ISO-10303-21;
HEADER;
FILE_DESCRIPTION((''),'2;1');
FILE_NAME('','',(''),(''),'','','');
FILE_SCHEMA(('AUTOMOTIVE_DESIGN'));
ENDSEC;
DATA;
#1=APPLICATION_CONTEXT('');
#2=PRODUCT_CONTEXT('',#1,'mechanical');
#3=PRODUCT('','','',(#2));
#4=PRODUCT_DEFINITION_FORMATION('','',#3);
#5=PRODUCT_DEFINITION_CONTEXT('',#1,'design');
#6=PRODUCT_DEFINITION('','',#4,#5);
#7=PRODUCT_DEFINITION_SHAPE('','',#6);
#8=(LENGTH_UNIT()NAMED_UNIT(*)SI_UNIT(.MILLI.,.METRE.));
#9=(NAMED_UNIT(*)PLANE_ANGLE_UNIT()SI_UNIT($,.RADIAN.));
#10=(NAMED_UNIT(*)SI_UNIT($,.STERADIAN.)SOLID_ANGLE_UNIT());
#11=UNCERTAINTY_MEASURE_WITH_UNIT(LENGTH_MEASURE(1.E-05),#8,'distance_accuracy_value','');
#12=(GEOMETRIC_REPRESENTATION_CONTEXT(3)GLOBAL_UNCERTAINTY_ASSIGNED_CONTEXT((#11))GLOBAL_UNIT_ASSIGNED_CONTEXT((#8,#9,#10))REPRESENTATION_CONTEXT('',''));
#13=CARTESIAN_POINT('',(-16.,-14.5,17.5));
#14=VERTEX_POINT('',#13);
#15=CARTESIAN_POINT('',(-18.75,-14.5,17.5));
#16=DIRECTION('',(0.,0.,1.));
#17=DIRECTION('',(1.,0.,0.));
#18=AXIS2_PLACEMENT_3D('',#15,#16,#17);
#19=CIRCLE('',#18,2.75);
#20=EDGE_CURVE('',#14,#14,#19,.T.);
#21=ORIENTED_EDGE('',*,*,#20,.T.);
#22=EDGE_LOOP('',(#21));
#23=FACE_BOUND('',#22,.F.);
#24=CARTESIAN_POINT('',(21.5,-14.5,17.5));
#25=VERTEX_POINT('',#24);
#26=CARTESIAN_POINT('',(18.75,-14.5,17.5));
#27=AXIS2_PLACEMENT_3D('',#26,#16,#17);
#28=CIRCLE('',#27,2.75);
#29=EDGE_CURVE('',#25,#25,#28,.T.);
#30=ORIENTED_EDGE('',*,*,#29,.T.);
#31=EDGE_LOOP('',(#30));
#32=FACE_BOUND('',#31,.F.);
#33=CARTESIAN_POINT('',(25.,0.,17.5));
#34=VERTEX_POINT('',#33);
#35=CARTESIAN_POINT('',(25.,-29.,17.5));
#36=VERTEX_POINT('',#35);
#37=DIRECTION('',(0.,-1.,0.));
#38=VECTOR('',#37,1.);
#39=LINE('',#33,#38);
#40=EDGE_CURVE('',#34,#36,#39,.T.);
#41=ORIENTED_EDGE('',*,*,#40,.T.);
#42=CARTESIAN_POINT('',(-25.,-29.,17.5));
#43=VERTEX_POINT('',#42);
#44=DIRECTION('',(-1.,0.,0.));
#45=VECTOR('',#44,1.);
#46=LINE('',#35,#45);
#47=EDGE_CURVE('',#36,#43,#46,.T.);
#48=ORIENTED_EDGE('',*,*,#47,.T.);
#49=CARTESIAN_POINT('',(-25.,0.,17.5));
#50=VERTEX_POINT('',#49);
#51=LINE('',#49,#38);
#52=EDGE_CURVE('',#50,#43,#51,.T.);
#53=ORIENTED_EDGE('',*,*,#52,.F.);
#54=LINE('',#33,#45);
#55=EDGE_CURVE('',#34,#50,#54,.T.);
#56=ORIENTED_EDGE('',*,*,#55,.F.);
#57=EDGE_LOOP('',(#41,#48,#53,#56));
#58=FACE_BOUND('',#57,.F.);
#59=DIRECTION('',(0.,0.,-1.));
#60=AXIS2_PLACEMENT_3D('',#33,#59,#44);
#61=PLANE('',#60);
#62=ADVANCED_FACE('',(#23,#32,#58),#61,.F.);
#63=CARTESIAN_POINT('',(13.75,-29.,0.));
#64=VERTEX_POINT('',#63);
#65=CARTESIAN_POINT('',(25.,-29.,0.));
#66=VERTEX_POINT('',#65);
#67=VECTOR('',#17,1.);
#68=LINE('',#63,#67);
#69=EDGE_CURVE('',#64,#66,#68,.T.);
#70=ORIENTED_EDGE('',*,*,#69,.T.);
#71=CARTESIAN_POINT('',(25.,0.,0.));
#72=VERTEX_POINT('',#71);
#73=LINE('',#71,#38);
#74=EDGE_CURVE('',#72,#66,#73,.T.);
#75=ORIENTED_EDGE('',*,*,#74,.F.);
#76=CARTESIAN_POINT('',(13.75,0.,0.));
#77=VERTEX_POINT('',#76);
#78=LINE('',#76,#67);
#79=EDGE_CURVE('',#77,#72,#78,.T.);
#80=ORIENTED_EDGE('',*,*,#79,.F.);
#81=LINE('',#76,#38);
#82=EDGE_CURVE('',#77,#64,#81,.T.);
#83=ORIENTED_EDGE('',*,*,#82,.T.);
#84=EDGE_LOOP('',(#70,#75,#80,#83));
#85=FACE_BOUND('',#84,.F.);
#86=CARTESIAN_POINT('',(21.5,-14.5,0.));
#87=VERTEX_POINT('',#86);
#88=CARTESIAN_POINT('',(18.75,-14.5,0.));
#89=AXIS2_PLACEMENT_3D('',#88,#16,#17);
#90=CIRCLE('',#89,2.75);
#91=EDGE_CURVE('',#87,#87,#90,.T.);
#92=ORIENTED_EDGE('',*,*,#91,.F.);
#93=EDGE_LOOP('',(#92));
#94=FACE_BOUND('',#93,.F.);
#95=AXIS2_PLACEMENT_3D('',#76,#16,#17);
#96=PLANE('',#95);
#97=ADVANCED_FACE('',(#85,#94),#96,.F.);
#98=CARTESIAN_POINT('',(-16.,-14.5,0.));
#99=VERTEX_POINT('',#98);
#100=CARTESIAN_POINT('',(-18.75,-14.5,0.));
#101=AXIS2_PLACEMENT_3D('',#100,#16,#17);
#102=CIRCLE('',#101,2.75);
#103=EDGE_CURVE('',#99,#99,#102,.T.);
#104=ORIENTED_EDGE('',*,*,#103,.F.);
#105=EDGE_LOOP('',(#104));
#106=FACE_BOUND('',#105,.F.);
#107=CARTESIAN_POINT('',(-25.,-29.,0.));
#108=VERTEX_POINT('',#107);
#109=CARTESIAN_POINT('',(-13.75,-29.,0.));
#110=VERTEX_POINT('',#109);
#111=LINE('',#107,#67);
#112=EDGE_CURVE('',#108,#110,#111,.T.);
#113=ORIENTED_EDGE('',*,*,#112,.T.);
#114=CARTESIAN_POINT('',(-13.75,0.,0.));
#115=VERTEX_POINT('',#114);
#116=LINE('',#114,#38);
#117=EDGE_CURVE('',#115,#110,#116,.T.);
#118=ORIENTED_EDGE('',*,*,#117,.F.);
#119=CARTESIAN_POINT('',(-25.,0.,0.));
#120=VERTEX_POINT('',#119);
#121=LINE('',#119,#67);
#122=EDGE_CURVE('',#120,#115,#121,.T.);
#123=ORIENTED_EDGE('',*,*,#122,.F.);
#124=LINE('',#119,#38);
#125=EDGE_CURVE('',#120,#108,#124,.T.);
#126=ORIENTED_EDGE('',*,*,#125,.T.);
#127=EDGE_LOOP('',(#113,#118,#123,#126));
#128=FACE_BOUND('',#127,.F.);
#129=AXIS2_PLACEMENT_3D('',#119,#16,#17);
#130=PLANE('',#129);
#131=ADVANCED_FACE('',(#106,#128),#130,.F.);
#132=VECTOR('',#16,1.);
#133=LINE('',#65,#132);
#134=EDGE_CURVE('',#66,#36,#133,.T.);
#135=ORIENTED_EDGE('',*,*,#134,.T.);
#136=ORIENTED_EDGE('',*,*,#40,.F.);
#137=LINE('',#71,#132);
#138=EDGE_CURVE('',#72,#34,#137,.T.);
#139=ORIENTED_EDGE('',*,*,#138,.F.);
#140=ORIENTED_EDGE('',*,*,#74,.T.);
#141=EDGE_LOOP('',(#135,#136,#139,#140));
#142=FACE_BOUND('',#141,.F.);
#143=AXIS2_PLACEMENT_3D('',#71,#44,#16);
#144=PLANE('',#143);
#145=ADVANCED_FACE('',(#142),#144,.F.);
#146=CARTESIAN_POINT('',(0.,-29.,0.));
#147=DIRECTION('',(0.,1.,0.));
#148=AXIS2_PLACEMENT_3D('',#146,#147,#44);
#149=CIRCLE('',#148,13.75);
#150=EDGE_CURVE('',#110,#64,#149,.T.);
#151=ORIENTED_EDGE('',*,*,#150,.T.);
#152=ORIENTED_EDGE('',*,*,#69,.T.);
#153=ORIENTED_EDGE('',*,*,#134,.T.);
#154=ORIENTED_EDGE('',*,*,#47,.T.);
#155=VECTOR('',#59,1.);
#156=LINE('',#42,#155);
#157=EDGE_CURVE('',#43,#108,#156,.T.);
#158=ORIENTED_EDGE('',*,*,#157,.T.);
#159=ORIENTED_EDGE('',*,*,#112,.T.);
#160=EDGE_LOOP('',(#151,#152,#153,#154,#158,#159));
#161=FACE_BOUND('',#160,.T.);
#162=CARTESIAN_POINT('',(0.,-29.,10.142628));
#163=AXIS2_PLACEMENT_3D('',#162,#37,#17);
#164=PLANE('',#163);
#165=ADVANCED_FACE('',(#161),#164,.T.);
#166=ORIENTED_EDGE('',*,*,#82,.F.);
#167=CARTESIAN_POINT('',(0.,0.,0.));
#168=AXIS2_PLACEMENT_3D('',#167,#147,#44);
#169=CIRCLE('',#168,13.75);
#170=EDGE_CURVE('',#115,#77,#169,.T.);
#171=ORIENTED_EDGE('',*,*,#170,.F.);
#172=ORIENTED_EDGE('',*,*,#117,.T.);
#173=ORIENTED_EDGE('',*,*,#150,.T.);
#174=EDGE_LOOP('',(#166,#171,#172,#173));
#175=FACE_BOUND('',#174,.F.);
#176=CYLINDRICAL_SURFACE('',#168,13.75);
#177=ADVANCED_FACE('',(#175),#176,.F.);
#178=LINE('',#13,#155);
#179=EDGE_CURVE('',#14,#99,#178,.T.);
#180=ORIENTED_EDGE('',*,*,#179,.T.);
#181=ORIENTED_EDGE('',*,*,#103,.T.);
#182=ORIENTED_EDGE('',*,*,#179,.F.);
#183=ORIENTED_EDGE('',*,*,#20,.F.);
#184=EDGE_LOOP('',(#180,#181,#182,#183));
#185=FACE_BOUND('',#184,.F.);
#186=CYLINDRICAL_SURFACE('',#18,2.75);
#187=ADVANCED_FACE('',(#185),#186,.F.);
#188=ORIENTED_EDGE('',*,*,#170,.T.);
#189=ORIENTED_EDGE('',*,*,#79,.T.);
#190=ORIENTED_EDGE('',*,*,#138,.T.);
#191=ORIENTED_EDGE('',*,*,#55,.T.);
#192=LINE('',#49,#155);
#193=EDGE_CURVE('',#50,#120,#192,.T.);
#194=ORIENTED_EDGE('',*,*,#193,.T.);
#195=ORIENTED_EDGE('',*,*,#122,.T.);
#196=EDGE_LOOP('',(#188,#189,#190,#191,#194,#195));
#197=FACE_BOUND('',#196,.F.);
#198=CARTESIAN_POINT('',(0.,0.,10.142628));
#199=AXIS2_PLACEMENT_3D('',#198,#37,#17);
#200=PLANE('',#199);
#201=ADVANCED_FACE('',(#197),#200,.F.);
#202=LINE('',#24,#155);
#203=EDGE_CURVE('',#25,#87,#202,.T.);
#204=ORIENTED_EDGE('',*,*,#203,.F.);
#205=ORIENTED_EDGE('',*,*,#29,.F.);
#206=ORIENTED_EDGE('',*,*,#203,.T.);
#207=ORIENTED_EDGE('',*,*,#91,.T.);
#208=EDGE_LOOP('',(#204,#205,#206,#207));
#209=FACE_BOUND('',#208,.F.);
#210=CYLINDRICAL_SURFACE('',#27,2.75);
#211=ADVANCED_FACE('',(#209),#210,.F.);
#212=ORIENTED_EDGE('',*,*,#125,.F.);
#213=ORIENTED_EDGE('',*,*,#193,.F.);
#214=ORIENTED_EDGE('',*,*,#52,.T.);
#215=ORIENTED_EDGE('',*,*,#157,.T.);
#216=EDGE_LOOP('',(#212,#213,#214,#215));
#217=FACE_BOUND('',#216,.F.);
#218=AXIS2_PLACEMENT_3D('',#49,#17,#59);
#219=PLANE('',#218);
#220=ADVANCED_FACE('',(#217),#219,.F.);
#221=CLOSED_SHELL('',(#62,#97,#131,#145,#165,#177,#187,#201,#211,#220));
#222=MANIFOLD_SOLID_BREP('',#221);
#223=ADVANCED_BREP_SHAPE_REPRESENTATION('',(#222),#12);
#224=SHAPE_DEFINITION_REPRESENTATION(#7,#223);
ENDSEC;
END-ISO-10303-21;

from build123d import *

# Parameters (mm, degrees)
F1_DEPTH = 29
F2_R     = 2.75
F3_DEPTH = 50


with BuildPart() as f1:
    # F0 (on Front) → F1 (new body)
    with BuildSketch(Plane.XZ):
        with BuildLine():
            ThreePointArc((-13.75, 0), (0, 13.75), (13.75, 0))
            Line((13.75, 0), (25, 0))
            Line((25, 0), (25, 17.5))
            Line((25, 17.5), (-25, 17.5))
            Line((-25, 17.5), (-25, 0))
            Line((-25, 0), (-13.75, 0))
        make_face()
    extrude(amount=F1_DEPTH)

    # F2 (on face) → F3 (cut)
    with BuildSketch(Plane.XY.offset(17.5)):
        with Locations((-18.75, -14.5)):
            Circle(F2_R)
        with Locations((18.75, -14.5)):
            Circle(F2_R)
    extrude(amount=-F3_DEPTH, mode=Mode.SUBTRACT)


solid = f1.part
